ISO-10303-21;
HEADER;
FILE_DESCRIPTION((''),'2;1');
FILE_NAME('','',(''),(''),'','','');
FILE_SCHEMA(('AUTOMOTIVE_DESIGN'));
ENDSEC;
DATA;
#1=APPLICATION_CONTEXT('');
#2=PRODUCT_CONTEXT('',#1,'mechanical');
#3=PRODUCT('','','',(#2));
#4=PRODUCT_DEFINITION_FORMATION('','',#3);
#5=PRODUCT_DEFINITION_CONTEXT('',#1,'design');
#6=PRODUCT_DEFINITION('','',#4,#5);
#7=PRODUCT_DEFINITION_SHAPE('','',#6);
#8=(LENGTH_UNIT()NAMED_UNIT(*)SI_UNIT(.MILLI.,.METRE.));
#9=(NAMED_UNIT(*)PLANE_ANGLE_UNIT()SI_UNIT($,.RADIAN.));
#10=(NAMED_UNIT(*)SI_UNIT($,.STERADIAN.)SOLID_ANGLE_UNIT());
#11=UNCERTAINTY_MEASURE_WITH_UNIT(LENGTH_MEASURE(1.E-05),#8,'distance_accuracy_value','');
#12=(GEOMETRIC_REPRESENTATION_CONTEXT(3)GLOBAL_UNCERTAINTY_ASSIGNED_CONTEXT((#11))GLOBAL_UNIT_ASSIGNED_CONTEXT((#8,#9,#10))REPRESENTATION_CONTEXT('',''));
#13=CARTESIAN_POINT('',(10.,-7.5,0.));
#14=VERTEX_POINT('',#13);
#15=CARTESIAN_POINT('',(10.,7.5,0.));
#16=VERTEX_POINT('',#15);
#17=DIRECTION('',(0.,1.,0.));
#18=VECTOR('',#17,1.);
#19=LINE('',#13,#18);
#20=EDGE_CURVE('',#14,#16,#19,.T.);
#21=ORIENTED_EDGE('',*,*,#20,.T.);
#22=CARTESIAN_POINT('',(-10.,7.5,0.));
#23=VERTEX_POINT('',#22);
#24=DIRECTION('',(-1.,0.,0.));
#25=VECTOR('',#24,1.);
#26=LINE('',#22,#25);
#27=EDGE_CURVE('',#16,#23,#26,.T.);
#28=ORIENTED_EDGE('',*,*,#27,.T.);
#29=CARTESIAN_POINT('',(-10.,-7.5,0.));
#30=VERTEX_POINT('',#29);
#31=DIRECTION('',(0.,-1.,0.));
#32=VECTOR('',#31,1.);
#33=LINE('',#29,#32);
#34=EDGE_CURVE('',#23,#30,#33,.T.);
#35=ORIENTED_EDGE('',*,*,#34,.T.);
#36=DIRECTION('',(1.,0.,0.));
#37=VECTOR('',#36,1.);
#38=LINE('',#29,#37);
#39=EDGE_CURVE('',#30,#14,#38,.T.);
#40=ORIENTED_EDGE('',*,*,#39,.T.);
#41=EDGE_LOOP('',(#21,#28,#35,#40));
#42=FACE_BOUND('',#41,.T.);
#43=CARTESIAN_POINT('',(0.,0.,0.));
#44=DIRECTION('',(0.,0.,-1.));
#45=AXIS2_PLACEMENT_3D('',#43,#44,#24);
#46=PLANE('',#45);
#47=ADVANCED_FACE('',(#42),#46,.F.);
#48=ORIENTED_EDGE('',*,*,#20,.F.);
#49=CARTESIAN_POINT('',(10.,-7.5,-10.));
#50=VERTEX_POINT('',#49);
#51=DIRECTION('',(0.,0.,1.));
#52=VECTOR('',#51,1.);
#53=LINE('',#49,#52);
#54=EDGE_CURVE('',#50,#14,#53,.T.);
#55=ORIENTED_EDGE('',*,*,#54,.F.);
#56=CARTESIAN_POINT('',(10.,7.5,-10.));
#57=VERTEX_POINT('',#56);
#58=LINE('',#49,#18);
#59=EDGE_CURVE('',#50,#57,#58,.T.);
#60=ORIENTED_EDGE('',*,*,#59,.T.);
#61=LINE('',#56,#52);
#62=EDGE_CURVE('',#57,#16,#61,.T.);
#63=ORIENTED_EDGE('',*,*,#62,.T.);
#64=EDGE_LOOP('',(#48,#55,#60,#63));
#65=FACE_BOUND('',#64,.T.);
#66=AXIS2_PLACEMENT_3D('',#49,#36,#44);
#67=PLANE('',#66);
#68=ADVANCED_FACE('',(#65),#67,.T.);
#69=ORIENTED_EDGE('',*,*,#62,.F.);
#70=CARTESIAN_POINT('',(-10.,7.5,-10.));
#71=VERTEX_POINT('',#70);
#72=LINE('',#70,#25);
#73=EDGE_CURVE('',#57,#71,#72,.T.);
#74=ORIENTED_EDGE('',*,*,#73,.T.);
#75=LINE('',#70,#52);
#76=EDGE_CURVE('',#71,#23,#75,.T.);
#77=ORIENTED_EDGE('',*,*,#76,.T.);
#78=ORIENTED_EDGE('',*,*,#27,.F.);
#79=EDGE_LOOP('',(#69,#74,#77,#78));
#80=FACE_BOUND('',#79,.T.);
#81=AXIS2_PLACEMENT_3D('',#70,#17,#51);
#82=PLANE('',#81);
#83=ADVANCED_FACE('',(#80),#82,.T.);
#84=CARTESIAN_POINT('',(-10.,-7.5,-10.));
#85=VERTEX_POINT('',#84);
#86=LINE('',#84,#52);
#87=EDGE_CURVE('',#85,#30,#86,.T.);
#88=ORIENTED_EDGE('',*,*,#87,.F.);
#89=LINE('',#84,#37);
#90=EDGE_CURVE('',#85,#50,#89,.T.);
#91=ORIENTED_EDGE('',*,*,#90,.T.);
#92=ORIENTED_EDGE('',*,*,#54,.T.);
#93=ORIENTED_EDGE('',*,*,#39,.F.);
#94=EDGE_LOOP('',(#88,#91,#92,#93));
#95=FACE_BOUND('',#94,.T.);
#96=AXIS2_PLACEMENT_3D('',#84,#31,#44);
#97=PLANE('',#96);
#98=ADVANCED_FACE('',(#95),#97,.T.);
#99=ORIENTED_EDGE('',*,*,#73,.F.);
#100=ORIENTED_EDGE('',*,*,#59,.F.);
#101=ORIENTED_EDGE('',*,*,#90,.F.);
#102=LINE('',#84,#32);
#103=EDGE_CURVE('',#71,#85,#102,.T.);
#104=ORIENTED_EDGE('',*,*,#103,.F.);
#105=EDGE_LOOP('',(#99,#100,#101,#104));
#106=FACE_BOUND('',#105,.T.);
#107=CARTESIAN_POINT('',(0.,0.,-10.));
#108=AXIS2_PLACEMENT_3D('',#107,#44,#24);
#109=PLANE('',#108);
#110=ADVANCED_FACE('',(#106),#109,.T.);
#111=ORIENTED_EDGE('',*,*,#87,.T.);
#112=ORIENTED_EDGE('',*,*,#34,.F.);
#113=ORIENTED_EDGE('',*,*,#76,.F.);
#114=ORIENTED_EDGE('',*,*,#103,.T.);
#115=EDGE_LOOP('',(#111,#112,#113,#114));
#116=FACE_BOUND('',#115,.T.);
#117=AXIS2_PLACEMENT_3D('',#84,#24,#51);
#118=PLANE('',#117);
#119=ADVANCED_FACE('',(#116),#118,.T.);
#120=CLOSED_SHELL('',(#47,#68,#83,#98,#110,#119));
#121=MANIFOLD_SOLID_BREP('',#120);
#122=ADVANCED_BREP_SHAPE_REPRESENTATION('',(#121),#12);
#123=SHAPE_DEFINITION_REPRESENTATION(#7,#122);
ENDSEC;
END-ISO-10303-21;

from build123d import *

# Parameters (mm, degrees)
SKETCH1_W           = 20
SKETCH1_H           = 15
BOSS_EXTRUDE1_DEPTH = 10
SKETCH2_W           = 13
SKETCH2_H           = 9
BOSS_EXTRUDE2_DEPTH = 5


with BuildPart() as part:
    # Sketch1 → Boss-Extrude1 (new body)
    with BuildSketch(Plane.XY):
        Rectangle(SKETCH1_W, SKETCH1_H)
    extrude(amount=-BOSS_EXTRUDE1_DEPTH)

    # Sketch2 → Boss-Extrude2 (add)
    with BuildSketch(Plane.XY):
        Rectangle(SKETCH2_W, SKETCH2_H)
    extrude(amount=-BOSS_EXTRUDE2_DEPTH)


solid = part.part
